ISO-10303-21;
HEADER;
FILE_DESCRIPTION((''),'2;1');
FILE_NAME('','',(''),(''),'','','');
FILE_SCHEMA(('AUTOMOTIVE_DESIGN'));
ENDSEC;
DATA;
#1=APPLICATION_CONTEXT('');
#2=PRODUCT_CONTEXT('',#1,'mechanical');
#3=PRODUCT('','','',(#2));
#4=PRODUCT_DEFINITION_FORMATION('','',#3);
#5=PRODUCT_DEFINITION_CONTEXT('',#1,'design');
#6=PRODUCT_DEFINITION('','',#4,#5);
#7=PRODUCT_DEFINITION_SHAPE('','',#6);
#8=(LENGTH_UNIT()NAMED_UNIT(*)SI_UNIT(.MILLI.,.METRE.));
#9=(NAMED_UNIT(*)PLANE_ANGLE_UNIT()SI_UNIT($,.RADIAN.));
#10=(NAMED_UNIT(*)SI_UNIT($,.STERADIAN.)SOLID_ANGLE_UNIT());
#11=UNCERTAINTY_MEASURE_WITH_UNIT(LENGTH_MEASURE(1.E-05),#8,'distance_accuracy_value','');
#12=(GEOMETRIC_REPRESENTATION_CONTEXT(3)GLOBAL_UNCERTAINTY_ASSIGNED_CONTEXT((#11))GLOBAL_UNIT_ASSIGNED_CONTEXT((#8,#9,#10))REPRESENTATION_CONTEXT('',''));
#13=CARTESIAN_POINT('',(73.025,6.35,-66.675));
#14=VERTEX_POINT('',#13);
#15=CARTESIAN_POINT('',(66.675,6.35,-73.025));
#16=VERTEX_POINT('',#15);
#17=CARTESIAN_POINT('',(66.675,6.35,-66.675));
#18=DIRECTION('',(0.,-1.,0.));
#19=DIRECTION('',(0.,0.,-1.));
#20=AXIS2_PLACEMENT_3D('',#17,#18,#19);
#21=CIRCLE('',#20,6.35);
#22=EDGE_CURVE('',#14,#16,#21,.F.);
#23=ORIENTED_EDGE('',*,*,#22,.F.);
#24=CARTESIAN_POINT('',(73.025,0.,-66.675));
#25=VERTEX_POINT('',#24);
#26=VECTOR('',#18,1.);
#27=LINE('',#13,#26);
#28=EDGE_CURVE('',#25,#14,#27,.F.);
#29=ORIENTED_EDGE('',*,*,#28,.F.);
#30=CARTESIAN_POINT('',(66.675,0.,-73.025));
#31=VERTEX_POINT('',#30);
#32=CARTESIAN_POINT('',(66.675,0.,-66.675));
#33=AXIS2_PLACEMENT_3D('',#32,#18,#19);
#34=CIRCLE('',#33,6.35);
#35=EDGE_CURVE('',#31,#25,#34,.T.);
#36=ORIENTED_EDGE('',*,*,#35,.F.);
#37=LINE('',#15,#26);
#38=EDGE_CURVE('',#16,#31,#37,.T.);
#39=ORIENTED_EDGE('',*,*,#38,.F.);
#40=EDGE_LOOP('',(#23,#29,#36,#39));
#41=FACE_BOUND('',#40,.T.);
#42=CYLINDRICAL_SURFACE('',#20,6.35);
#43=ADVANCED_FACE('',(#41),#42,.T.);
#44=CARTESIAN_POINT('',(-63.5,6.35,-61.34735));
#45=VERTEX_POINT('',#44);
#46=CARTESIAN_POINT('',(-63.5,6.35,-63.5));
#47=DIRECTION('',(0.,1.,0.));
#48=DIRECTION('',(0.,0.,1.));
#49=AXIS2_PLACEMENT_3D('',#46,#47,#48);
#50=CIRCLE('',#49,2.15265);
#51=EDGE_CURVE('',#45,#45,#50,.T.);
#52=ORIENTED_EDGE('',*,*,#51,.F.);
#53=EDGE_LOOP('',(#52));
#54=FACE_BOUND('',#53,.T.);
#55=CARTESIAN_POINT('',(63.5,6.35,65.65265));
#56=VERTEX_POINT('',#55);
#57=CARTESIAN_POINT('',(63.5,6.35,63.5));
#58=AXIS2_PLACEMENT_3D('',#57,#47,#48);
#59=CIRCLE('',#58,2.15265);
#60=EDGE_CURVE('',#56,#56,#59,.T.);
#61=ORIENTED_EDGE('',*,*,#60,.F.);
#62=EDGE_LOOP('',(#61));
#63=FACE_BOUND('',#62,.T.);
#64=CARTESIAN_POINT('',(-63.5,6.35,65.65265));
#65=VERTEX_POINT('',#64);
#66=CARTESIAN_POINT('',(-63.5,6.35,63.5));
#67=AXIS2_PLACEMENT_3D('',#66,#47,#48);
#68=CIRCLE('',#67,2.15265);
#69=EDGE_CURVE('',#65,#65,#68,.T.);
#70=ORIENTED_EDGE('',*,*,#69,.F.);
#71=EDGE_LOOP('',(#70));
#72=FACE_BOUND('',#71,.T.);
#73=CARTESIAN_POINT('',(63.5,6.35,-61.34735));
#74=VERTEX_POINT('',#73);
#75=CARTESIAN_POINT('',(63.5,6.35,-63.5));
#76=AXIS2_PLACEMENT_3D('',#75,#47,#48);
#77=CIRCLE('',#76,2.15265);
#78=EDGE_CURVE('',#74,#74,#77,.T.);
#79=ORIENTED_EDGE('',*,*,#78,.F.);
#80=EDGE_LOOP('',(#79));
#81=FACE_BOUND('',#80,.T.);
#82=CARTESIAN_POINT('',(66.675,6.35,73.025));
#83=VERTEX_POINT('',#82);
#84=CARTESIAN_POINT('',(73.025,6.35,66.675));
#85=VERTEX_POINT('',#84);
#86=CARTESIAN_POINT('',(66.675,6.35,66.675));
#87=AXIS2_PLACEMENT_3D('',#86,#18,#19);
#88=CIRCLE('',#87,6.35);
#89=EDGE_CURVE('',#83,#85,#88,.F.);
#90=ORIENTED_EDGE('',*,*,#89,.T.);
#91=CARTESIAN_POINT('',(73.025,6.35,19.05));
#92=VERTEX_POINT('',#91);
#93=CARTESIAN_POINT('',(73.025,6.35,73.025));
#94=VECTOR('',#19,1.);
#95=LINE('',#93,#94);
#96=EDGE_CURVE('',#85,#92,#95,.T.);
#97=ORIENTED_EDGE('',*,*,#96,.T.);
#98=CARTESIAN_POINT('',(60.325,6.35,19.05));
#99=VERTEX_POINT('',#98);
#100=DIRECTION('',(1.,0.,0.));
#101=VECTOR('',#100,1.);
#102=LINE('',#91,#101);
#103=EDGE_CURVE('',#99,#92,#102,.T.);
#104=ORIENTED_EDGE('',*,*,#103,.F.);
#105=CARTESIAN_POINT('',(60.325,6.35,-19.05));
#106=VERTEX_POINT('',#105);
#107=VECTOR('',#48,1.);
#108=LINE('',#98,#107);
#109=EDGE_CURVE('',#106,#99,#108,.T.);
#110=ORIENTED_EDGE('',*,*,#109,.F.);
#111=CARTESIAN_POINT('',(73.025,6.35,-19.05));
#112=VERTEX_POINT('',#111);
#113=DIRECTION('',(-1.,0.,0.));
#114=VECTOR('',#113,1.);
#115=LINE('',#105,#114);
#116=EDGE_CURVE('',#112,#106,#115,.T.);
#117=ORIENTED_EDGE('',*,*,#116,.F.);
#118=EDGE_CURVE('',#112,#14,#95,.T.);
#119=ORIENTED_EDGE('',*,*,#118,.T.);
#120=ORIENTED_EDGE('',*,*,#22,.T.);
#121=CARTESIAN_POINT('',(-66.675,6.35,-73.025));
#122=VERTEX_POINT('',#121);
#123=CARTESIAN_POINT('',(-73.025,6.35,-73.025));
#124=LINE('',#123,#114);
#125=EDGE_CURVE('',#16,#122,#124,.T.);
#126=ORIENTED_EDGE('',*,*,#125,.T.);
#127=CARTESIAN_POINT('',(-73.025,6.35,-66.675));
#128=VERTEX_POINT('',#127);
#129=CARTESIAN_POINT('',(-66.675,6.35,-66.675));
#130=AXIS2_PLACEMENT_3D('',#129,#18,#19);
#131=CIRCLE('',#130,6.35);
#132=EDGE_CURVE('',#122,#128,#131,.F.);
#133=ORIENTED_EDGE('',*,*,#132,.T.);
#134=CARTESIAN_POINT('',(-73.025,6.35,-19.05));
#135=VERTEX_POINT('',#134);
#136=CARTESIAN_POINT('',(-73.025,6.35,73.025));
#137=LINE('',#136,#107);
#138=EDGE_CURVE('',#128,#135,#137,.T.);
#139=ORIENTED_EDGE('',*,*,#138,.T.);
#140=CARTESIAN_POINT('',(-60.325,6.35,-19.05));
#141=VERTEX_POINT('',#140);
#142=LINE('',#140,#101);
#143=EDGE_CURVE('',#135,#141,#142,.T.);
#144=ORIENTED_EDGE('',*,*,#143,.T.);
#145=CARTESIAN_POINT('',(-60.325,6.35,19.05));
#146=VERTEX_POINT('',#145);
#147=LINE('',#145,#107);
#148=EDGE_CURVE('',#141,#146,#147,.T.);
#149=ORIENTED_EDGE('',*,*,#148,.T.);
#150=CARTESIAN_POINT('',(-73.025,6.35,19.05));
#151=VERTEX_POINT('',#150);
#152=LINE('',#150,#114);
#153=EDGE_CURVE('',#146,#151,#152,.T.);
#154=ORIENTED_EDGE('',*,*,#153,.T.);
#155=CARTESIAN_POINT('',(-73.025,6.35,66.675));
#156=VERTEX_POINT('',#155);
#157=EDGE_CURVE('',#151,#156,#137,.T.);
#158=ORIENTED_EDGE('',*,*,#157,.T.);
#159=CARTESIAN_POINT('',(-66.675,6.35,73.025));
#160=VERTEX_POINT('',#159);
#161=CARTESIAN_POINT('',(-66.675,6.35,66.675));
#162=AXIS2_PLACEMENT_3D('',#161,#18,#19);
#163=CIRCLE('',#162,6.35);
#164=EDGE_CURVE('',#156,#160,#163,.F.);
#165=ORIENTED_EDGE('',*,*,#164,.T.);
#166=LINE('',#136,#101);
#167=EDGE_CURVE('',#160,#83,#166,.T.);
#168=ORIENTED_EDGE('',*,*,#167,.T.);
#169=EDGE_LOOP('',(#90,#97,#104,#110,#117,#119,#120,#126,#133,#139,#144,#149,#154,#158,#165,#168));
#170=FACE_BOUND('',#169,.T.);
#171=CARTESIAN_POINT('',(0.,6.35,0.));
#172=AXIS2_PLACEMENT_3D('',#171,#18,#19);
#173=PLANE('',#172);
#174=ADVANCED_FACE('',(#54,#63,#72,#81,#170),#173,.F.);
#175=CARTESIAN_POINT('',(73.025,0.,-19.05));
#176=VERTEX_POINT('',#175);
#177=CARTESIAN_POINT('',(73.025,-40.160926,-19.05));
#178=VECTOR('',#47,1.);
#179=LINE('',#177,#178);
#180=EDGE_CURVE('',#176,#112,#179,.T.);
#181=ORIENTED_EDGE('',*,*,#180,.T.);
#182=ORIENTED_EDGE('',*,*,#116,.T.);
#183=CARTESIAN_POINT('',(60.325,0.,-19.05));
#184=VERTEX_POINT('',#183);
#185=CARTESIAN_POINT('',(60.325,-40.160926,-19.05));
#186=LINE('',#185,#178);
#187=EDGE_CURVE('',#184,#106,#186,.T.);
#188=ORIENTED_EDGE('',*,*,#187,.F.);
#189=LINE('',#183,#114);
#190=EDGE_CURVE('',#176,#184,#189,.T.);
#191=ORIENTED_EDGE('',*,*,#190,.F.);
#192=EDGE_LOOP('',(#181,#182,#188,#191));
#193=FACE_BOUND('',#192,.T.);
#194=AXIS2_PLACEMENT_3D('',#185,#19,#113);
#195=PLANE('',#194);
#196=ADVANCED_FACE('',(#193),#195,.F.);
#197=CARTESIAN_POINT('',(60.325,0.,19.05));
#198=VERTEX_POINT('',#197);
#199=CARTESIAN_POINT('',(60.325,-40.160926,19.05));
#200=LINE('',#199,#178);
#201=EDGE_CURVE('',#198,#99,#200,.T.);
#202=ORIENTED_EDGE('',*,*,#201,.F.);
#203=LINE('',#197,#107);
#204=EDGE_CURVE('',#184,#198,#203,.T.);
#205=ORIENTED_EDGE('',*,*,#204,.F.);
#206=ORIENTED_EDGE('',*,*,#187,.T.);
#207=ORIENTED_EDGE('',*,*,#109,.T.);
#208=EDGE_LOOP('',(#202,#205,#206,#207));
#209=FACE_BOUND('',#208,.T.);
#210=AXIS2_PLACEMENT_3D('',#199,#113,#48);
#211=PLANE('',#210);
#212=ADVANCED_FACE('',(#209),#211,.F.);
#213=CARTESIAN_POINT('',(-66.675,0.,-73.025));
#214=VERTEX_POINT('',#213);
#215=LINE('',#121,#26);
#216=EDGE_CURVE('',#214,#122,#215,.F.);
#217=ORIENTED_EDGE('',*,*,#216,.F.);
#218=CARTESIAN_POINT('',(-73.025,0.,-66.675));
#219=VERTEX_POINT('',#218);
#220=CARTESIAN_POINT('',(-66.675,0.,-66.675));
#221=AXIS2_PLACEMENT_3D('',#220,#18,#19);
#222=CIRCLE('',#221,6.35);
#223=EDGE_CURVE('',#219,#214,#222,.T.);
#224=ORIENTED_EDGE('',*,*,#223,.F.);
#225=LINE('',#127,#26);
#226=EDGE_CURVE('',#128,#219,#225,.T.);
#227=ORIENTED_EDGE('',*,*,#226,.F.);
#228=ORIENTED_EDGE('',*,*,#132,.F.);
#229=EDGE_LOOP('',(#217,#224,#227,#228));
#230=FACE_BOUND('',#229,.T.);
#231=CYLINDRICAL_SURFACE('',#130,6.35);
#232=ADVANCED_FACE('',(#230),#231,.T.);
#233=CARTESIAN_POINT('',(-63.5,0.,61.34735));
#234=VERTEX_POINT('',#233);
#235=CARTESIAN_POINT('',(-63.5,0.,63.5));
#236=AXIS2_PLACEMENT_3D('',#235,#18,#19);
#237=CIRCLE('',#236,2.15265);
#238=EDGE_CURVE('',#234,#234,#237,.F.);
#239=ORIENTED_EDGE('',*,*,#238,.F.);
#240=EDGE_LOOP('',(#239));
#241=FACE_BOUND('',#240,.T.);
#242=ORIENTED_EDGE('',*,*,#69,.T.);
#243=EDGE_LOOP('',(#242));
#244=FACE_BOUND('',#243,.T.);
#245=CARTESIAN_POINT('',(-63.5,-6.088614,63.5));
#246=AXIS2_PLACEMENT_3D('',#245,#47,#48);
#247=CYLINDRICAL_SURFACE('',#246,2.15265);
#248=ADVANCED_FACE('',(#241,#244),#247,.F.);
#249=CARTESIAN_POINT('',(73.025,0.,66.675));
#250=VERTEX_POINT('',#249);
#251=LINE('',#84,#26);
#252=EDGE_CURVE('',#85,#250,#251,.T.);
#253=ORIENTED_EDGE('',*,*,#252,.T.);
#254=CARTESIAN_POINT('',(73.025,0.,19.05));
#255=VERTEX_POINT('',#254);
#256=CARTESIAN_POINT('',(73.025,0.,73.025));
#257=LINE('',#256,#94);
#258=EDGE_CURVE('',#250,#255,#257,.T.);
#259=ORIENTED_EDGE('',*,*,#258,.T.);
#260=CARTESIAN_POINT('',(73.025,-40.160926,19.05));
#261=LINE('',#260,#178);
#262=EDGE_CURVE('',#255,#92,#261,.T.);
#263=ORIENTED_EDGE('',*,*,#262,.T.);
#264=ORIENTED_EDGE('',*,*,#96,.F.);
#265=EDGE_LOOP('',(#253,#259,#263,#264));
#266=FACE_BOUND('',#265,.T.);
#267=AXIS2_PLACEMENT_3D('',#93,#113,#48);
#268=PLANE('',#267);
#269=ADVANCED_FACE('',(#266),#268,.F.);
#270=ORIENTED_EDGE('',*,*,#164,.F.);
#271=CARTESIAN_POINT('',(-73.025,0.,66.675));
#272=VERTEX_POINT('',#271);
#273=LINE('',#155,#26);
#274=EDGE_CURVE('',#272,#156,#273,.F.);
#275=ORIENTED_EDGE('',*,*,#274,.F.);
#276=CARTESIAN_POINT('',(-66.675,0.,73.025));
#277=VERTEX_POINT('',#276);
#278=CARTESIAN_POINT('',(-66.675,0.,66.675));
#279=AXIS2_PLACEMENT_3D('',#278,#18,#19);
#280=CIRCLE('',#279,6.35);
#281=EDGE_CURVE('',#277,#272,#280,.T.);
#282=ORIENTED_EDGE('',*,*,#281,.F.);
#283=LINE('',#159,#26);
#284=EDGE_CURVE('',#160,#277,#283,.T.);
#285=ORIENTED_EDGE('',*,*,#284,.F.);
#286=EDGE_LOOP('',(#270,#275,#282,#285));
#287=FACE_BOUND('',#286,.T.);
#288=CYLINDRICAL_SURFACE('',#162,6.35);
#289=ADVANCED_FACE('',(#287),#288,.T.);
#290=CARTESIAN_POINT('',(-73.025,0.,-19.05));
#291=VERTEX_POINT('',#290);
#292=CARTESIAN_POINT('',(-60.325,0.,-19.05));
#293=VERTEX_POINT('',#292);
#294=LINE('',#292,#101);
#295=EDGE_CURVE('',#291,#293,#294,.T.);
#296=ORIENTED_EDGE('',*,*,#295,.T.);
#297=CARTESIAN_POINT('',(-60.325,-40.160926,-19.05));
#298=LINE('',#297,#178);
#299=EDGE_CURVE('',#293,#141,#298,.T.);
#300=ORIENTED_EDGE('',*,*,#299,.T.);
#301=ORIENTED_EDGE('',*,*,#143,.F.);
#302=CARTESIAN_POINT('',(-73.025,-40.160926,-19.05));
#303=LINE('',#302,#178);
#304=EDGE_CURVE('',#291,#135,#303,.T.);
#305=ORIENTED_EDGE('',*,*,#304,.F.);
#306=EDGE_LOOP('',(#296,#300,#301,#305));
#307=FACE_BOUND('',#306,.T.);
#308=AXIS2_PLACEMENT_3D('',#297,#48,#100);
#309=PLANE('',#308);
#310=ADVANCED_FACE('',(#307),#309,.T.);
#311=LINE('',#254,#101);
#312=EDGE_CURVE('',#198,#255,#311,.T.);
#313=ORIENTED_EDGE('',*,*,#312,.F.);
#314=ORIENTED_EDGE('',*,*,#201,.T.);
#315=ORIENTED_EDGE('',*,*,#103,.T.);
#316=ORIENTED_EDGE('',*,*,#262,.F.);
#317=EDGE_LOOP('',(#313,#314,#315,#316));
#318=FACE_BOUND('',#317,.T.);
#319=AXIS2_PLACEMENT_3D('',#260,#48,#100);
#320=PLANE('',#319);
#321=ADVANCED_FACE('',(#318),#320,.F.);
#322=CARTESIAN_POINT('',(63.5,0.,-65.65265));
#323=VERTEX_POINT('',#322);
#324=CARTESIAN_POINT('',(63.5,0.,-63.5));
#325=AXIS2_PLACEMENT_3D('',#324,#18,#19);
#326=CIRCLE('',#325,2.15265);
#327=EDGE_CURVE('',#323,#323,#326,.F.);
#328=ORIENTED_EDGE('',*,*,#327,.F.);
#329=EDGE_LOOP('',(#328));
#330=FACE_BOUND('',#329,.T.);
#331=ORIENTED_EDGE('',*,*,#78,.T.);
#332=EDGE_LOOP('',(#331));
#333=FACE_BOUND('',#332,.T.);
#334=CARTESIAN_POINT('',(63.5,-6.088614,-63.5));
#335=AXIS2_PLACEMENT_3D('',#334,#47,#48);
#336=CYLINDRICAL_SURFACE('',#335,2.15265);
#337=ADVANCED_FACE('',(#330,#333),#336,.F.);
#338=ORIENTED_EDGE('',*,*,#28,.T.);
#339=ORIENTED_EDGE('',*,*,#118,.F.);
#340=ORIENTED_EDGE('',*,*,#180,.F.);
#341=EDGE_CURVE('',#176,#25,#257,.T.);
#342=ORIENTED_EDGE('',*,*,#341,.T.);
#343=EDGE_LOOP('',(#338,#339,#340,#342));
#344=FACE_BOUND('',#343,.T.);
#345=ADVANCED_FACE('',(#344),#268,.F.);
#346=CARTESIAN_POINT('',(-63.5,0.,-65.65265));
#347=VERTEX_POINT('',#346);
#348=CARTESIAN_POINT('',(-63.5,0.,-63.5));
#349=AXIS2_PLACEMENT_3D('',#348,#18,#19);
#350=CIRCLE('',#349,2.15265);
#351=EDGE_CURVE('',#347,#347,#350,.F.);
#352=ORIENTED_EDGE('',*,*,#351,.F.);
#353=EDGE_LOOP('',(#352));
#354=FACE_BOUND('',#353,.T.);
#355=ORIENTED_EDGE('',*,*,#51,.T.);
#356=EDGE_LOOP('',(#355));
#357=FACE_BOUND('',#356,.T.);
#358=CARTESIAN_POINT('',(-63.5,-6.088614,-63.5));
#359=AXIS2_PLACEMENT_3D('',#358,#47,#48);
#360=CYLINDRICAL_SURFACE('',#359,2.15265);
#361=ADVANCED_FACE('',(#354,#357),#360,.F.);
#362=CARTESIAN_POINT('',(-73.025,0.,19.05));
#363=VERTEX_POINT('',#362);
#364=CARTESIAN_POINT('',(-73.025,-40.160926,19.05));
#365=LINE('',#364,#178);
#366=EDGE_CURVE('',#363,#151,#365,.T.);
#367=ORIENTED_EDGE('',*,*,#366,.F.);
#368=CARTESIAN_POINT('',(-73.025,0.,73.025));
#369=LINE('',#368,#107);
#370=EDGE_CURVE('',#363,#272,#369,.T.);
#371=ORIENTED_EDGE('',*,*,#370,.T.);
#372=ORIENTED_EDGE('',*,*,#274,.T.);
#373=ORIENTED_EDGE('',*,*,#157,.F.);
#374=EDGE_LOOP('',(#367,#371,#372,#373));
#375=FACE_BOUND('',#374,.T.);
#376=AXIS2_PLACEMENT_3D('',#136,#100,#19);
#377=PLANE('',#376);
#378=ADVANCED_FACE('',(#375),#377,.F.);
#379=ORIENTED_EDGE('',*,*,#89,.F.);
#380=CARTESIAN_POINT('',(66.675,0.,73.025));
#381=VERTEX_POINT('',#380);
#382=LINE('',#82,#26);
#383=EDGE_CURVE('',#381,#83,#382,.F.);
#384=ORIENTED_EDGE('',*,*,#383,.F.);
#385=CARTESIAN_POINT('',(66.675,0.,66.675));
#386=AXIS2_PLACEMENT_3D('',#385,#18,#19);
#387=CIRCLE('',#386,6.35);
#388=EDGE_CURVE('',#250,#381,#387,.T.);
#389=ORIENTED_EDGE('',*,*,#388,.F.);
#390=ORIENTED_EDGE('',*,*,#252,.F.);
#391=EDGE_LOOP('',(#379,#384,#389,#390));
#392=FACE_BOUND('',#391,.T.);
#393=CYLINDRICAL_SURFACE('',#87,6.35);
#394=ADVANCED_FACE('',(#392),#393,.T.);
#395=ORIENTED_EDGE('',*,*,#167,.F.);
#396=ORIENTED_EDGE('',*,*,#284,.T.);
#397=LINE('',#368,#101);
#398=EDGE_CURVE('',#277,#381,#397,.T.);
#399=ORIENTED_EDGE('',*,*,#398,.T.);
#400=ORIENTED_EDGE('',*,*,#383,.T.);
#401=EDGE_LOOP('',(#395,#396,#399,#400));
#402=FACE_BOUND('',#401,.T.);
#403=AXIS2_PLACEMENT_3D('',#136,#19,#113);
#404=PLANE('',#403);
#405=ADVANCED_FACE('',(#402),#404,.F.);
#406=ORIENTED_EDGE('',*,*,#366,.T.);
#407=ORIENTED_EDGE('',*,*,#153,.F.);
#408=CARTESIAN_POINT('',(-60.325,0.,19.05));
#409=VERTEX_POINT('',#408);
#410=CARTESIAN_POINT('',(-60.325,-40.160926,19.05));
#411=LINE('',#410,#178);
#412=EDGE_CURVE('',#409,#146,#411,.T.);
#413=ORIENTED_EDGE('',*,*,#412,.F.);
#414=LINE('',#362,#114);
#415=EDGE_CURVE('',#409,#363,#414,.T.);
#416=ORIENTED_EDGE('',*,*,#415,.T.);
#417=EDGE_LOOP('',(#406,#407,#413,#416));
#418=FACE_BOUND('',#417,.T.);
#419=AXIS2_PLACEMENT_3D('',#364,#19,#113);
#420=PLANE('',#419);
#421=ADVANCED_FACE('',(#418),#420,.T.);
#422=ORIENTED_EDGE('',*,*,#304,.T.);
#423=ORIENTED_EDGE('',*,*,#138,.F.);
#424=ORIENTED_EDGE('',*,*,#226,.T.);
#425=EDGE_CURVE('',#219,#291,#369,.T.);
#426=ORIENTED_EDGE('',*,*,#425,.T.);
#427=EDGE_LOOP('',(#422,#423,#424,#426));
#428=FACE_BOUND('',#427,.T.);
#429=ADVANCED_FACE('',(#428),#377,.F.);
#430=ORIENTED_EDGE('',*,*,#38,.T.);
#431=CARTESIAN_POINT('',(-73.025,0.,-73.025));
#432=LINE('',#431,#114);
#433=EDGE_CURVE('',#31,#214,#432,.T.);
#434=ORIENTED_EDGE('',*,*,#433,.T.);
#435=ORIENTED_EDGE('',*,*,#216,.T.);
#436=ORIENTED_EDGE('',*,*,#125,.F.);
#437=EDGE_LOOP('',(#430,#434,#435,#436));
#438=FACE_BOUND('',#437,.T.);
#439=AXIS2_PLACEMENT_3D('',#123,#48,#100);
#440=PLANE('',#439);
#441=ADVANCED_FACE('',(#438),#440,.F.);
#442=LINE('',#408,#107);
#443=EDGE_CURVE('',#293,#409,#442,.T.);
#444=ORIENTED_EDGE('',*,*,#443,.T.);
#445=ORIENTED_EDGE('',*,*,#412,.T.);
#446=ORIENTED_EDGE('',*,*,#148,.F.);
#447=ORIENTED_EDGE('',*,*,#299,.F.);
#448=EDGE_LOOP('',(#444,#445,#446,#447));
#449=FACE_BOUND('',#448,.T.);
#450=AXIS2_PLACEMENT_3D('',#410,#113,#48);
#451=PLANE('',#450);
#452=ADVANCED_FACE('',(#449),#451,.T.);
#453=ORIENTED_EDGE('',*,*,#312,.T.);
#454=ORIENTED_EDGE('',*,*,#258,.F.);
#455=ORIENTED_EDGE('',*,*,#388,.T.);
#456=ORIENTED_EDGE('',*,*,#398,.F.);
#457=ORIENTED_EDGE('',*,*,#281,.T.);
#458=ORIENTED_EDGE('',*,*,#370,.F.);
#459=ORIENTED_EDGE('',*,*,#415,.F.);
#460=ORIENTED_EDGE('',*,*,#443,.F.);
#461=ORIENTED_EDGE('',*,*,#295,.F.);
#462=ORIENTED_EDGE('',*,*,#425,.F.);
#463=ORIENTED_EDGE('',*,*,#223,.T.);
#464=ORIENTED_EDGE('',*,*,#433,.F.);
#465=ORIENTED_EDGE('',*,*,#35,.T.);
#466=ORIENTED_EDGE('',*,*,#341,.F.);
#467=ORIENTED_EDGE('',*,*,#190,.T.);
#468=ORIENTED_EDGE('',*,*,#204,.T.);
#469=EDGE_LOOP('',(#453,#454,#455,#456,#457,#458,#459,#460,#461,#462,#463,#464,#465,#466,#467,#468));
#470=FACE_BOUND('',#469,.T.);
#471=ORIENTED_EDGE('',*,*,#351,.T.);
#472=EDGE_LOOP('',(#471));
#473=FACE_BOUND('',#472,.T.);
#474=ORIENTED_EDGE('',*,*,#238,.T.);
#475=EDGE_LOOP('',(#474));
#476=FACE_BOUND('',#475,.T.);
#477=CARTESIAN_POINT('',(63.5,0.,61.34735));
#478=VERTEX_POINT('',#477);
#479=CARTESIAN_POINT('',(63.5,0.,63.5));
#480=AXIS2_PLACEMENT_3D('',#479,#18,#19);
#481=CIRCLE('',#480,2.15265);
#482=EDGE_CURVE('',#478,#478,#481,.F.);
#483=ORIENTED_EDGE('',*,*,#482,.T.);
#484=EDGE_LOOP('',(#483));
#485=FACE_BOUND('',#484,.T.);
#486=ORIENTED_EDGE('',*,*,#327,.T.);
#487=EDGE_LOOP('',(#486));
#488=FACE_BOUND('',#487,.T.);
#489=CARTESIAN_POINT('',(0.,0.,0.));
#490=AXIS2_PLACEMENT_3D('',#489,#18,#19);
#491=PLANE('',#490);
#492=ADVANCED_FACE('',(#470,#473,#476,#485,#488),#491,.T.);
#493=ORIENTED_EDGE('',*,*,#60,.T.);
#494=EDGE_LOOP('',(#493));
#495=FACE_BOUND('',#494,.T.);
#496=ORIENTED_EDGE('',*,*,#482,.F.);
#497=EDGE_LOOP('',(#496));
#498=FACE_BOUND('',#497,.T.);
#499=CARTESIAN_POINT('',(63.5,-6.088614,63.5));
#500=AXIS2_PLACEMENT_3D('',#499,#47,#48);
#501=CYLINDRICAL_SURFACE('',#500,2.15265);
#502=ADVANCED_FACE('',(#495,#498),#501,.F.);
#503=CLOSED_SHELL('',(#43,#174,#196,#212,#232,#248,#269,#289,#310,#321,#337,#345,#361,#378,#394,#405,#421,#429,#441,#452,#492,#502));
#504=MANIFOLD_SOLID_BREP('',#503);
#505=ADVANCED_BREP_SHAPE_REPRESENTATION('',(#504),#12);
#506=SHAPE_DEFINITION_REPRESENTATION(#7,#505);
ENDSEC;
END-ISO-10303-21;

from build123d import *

# Parameters (mm, degrees)
SKETCH1_W           = 146.05
SKETCH1_H           = 146.05
BOSS_EXTRUDE1_DEPTH = 6.35
SKETCH2_R           = 2.15265
CUT_EXTRUDE1_DEPTH  = 6.35
FILLET1_R           = 6.35
SKETCH3_W           = 12.7
SKETCH3_H           = 38.1
CUT_EXTRUDE2_DEPTH  = 6.35


with BuildPart() as part:
    # Sketch1 → Boss-Extrude1 (new body)
    with BuildSketch(Plane(origin=(0, 0, 0), x_dir=(1, 0, 0), z_dir=(0, 1, 0))):
        Rectangle(SKETCH1_W, SKETCH1_H)
    extrude(amount=BOSS_EXTRUDE1_DEPTH)

    # Sketch2 → Cut-Extrude1 (cut)
    with BuildSketch(Plane(origin=(0, 6.35, 0), x_dir=(1, 0, 0), z_dir=(0, 1, 0))):
        with Locations((-63.5, 63.5)):
            Circle(SKETCH2_R)
        with Locations((63.5, 63.5)):
            Circle(SKETCH2_R)
        with Locations((63.5, -63.5)):
            Circle(SKETCH2_R)
        with Locations((-63.5, -63.5)):
            Circle(SKETCH2_R)
    extrude(amount=-CUT_EXTRUDE1_DEPTH, mode=Mode.SUBTRACT)

    # Fillet1
    fillet1_edges = [part.edges().sort_by_distance(p)[0] for p in [
        (73.025, 3.175, 73.025),
        (-73.025, 3.175, 73.025),
        (-73.025, 3.175, -73.025),
        (73.025, 3.175, -73.025),
    ]]
    fillet(fillet1_edges, radius=FILLET1_R)

    # Sketch3 → Cut-Extrude2 (cut)
    with BuildSketch(Plane(origin=(0, 6.35, 0), x_dir=(1, 0, 0), z_dir=(0, 1, 0))):
        with Locations((66.675, 0)):
            Rectangle(SKETCH3_W, SKETCH3_H)
    cut_extrude2 = extrude(amount=-CUT_EXTRUDE2_DEPTH, mode=Mode.SUBTRACT)

    # Mirror1: Cut-Extrude2 across plane
    add(cut_extrude2.mirror(Plane(origin=(0, 0, 0), x_dir=(0, 0, 1), z_dir=(1, 0, 0))), mode=Mode.SUBTRACT)


solid = part.part
